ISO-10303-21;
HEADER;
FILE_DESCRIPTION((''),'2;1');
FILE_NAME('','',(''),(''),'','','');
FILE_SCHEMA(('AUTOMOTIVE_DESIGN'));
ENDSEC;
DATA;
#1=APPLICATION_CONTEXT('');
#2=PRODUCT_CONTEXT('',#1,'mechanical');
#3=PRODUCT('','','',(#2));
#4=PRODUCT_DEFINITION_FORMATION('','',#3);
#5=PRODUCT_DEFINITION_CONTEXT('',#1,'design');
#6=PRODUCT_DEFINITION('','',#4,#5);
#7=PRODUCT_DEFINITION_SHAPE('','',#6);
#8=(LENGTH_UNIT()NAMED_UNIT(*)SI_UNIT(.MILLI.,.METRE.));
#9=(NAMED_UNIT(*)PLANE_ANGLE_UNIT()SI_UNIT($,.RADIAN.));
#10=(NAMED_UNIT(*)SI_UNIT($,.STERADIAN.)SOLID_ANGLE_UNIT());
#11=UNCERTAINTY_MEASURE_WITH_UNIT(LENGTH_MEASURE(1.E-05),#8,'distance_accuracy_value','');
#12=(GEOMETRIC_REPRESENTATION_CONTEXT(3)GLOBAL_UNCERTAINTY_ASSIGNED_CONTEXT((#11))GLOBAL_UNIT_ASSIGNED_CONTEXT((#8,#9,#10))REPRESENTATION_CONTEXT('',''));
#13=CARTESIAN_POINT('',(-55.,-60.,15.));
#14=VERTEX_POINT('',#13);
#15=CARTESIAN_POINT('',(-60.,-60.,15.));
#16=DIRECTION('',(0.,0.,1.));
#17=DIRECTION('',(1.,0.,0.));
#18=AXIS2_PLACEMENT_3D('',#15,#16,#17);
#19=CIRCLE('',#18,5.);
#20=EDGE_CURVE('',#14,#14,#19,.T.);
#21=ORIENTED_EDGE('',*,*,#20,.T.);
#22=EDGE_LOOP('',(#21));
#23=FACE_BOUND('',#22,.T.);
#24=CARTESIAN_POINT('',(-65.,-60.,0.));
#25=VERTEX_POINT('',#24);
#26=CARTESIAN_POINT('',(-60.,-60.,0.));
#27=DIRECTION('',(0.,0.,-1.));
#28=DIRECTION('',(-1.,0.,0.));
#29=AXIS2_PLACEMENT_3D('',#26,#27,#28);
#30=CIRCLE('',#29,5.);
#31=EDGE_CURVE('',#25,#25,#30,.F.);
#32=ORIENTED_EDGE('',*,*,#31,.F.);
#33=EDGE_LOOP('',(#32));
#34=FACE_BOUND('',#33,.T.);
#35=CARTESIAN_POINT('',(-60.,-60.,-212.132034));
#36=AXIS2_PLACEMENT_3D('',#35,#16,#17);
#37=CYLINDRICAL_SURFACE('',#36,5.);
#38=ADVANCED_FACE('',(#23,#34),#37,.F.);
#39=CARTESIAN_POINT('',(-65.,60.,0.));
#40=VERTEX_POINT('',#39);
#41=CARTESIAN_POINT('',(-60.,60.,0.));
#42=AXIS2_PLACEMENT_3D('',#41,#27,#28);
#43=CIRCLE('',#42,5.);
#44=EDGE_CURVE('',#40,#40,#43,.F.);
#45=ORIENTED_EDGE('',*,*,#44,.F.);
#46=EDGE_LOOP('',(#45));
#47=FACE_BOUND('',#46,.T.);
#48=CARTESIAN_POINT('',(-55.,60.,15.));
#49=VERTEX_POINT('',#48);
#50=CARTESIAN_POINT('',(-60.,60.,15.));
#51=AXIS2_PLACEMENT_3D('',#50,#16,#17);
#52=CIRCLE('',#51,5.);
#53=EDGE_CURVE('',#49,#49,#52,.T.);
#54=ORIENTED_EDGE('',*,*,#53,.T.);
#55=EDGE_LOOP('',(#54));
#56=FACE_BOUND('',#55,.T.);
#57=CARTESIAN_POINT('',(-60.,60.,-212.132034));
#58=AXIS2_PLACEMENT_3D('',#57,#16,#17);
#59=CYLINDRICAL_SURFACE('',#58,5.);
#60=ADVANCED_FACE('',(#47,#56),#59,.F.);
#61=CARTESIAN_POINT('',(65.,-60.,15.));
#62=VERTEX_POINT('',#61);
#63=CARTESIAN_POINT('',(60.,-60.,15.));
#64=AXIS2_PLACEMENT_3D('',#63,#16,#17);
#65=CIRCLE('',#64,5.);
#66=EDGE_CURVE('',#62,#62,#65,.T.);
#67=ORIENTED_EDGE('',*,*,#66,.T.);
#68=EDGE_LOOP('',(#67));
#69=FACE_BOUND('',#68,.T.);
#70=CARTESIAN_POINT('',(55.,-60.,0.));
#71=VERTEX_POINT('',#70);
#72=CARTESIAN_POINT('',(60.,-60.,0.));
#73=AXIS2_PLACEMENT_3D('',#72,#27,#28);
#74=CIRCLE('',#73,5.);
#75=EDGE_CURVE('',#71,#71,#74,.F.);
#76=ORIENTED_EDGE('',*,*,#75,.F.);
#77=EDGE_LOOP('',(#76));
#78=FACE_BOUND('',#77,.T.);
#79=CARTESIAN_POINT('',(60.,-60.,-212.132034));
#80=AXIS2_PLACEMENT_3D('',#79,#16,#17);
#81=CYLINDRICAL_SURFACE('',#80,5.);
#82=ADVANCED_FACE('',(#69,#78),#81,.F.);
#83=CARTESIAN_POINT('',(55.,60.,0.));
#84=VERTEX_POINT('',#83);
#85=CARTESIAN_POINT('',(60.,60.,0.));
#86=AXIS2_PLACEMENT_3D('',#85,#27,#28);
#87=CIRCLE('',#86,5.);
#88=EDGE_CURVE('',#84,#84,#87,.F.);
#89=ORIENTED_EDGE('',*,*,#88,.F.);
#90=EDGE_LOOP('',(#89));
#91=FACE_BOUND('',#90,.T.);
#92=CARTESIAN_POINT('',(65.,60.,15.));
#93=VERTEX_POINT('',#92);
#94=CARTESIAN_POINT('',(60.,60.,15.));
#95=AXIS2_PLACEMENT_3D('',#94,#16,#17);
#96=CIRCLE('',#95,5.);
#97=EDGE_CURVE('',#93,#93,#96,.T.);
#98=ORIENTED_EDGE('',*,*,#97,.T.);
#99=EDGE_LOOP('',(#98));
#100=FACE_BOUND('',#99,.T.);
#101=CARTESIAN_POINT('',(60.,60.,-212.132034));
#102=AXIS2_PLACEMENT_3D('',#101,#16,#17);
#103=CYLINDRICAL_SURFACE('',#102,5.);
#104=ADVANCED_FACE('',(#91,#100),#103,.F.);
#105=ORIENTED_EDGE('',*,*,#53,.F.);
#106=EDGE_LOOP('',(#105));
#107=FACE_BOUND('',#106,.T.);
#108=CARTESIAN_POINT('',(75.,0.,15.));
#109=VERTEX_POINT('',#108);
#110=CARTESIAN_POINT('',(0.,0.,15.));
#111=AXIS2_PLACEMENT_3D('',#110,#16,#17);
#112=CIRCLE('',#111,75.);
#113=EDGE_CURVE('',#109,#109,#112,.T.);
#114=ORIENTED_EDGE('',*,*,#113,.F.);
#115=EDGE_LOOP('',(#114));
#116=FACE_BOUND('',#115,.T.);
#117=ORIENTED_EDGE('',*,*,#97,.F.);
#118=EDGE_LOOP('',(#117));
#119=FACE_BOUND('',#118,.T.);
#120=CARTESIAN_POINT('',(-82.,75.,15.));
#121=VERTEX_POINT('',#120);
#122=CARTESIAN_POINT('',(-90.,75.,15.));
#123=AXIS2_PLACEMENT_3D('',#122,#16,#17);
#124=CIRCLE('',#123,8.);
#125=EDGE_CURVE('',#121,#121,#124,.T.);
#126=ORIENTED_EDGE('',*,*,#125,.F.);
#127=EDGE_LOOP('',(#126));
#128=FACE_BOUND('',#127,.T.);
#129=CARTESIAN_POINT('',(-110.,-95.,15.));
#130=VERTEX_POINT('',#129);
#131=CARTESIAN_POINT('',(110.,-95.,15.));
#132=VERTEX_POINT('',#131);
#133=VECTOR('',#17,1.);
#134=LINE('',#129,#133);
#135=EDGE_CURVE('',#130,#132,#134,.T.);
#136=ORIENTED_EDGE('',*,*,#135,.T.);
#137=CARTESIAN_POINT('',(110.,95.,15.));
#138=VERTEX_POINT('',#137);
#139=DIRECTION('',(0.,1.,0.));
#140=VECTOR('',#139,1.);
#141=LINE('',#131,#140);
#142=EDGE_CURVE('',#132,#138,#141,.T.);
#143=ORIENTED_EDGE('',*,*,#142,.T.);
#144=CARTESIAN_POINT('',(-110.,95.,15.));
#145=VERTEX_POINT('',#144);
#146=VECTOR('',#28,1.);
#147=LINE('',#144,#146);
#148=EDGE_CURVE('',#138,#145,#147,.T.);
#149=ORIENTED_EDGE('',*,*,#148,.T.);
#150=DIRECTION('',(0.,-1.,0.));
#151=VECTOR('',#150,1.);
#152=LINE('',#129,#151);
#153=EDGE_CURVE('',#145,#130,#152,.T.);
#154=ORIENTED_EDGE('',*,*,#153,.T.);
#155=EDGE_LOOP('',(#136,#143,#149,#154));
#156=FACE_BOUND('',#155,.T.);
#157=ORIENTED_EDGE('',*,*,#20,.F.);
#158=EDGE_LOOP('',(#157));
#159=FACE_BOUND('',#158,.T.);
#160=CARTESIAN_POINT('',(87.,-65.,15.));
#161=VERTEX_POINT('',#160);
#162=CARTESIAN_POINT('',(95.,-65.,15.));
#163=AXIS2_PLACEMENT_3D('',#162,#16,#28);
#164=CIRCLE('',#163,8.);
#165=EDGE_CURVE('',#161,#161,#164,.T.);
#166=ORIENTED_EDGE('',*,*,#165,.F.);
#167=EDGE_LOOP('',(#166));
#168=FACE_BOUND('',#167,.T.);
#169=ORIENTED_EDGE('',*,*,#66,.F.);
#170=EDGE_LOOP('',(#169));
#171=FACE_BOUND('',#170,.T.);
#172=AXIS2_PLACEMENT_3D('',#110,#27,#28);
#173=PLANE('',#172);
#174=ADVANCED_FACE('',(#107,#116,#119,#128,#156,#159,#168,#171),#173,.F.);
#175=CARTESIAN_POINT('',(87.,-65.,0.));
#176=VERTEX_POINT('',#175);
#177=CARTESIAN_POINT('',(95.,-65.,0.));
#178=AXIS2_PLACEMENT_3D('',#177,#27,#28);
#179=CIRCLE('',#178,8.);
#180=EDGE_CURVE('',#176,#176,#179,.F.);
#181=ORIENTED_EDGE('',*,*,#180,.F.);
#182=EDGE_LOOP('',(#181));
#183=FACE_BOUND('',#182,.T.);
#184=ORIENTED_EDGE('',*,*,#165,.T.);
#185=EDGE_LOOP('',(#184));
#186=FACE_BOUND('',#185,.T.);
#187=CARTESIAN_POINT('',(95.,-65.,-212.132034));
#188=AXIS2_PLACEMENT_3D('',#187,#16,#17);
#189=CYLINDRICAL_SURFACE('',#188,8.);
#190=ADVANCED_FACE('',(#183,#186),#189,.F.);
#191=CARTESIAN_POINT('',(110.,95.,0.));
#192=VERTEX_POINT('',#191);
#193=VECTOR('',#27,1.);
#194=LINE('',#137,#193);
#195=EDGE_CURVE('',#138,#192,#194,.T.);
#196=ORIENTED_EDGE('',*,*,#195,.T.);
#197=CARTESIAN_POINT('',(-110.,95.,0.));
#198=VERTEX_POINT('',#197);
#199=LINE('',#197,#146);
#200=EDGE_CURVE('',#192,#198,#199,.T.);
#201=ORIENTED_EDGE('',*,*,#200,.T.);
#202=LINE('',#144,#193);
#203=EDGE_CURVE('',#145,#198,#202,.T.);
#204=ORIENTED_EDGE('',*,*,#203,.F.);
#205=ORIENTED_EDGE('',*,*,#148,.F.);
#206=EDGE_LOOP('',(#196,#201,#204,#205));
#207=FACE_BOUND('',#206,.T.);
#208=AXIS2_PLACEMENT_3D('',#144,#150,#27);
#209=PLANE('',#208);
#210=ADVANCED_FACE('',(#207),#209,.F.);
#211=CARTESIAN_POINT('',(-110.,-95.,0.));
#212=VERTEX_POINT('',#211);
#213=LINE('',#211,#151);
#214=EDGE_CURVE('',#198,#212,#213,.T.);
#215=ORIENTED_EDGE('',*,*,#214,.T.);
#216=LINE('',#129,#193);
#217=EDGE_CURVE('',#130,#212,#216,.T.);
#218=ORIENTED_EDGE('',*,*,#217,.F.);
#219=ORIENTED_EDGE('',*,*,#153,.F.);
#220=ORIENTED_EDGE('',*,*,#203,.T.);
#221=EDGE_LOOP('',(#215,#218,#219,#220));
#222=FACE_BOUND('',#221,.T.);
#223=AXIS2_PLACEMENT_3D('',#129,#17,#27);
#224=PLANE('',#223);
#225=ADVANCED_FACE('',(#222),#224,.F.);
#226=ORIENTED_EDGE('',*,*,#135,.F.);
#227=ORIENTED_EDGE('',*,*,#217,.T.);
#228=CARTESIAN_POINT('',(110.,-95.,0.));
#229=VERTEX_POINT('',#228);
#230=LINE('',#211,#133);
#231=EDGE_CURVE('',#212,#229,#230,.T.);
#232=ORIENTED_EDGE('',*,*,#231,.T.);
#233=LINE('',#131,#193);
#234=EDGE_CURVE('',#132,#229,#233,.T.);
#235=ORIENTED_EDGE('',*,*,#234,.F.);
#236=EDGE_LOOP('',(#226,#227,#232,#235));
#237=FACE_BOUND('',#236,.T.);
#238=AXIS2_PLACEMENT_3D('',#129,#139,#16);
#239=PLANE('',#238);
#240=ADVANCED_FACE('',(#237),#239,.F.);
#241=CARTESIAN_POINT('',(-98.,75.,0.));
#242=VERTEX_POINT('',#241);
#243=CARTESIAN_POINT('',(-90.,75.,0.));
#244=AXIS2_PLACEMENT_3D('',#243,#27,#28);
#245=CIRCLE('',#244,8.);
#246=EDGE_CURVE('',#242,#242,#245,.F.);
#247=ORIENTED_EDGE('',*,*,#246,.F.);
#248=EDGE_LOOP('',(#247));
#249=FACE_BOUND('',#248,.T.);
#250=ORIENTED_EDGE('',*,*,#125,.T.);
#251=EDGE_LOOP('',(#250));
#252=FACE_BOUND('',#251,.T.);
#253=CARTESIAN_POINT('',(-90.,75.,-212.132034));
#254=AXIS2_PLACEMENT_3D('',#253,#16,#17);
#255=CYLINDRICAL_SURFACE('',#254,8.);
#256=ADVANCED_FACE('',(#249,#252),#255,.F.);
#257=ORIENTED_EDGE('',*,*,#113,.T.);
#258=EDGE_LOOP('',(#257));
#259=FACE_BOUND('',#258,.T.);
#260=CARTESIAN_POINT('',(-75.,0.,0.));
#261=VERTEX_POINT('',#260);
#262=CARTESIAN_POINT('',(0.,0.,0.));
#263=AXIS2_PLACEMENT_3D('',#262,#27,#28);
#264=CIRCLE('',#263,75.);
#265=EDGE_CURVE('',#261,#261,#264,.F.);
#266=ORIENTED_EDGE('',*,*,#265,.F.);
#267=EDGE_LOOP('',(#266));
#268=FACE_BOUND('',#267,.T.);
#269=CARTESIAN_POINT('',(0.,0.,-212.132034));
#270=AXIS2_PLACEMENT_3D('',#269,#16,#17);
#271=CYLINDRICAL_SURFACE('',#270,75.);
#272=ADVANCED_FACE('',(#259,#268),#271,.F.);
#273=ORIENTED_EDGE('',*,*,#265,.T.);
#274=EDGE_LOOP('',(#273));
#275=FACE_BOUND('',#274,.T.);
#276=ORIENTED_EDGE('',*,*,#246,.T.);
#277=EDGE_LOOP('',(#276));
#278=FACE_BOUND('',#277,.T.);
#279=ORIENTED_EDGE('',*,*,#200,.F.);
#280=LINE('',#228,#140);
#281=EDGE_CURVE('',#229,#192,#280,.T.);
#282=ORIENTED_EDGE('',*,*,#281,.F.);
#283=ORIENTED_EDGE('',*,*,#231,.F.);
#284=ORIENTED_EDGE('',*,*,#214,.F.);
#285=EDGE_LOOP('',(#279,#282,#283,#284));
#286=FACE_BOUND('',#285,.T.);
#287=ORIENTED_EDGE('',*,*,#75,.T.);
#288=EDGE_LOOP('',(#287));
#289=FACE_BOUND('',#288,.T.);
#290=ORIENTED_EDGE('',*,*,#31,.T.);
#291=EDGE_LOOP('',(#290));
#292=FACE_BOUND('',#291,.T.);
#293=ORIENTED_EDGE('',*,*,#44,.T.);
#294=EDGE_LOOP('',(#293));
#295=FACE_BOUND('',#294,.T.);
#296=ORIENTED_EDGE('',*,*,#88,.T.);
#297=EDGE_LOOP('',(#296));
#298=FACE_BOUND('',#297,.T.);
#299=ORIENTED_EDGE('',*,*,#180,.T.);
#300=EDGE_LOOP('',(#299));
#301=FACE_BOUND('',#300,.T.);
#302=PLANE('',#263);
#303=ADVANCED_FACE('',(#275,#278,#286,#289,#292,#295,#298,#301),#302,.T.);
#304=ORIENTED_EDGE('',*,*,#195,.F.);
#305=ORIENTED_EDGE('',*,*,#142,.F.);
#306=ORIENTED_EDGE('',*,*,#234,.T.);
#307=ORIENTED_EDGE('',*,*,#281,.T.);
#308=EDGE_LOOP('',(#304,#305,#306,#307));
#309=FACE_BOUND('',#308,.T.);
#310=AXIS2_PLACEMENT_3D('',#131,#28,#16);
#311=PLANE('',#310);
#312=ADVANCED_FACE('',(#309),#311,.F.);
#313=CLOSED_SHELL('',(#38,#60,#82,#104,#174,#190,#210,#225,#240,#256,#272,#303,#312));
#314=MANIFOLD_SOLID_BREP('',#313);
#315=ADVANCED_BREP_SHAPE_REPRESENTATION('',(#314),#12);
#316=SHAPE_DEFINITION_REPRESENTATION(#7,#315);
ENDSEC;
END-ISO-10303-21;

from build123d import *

# Parameters (mm, degrees)
SKETCH1_W           = 220
SKETCH1_H           = 190
BOSS_EXTRUDE1_DEPTH = 15
SKETCH2_R           = 75
SKETCH2_R_2         = 8
SKETCH2_R_3         = 5
CUT_EXTRUDE1_DEPTH  = 15


with BuildPart() as part:
    # Sketch1 → Boss-Extrude1 (new body)
    with BuildSketch(Plane.XY):
        Rectangle(SKETCH1_W, SKETCH1_H)
    extrude(amount=BOSS_EXTRUDE1_DEPTH)

    # Sketch2 → Cut-Extrude1 (cut)
    with BuildSketch(Plane.XY.offset(15)):
        Circle(SKETCH2_R)
        with Locations((-90, 75)):
            Circle(SKETCH2_R_2)
        with Locations(Location((95, -65, 0), (0, 0, 180))):
            Circle(SKETCH2_R_2)
        with Locations((-60, 60)):
            Circle(SKETCH2_R_3)
        with Locations((60, 60)):
            Circle(SKETCH2_R_3)
        with Locations((60, -60)):
            Circle(SKETCH2_R_3)
        with Locations((-60, -60)):
            Circle(SKETCH2_R_3)
    extrude(amount=-CUT_EXTRUDE1_DEPTH, mode=Mode.SUBTRACT)


solid = part.part
